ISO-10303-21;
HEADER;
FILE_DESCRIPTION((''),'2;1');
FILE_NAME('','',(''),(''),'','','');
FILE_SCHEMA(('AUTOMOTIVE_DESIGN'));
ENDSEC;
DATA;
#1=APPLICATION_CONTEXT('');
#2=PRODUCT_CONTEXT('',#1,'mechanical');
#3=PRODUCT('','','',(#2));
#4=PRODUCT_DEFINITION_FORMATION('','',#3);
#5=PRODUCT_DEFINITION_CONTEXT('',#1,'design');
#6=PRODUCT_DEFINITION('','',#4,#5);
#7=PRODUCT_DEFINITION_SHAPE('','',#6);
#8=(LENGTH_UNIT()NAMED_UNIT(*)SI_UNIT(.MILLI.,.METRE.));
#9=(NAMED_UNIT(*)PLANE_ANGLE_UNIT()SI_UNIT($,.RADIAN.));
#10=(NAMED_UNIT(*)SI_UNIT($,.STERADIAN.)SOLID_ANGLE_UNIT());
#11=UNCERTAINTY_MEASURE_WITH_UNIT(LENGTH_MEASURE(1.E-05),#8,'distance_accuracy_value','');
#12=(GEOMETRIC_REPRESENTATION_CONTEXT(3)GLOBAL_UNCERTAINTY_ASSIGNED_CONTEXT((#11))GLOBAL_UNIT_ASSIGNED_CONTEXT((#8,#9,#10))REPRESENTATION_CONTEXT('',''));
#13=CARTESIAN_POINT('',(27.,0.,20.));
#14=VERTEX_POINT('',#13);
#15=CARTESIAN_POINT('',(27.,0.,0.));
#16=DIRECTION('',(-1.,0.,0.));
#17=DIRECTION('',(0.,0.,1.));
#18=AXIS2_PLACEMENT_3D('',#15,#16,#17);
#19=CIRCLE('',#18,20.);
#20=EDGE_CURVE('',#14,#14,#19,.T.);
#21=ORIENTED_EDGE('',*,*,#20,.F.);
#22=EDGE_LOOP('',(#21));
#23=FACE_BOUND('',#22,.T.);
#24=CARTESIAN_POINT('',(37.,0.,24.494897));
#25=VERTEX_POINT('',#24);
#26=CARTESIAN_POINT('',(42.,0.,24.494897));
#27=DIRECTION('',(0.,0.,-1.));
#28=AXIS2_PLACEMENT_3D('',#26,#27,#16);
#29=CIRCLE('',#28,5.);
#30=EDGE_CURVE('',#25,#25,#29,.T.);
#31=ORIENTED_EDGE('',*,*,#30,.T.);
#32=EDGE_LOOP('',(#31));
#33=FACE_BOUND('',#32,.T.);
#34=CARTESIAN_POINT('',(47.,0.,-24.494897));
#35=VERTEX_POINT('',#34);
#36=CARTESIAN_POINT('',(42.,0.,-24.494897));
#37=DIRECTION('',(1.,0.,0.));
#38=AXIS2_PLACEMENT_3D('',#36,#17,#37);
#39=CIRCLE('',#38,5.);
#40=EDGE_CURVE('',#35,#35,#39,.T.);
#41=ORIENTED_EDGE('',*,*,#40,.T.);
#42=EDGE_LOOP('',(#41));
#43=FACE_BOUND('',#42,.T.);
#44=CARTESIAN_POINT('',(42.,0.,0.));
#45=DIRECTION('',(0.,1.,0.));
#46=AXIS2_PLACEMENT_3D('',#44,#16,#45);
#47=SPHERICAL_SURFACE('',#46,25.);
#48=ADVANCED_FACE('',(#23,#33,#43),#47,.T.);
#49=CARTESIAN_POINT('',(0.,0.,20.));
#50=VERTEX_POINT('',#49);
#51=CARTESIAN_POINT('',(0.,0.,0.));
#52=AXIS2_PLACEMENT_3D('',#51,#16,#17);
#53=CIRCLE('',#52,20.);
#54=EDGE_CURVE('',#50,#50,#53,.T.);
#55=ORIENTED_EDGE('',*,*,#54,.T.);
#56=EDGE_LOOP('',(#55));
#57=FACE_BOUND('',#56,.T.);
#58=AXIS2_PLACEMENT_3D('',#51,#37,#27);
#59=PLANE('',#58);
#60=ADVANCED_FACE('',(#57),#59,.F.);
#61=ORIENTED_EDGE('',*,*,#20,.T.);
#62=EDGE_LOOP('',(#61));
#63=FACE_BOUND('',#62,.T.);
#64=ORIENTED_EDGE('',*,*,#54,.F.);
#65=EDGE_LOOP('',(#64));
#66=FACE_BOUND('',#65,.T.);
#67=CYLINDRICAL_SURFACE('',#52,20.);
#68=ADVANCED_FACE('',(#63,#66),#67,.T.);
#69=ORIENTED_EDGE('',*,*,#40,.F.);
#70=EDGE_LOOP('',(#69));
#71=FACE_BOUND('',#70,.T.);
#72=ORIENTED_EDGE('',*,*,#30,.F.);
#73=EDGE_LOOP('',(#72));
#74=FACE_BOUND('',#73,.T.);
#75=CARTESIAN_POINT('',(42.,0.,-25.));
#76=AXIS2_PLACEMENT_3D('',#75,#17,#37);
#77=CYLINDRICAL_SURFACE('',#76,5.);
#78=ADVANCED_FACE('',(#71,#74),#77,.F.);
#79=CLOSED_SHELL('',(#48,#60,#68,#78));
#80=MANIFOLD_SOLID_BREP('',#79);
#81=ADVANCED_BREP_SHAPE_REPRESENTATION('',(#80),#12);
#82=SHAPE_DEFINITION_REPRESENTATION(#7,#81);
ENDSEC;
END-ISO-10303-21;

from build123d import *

# Parameters (mm, degrees)
CUT_EXTRUDE_1_DEPTH      = 76.756187866
CUT_EXTRUDE_1_DEPTH_BACK = 76.756187866
SKETCH_3_R               = 5


with BuildPart() as part:
    # 草图1 → 旋转1 (revolve)
    with BuildSketch(Plane.XY):
        with BuildLine():
            Line((0, 0), (0, 20))
            Line((0, 20), (27, 20))
            ThreePointArc((27, 20), (53.180339887, 22.360679775), (67, 0))
            Line((67, 0), (0, 0))
        make_face()
    revolve(axis=Axis((0, 0, 0), (1, 0, 0)))

    # 草图3 → 切除-拉伸1 (cut, two sides: drawn at the far end of the back side and taken through both)
    with BuildSketch(Plane.XY.offset(-CUT_EXTRUDE_1_DEPTH_BACK)):
        with Locations((42, 0)):
            Circle(SKETCH_3_R)
    extrude(amount=CUT_EXTRUDE_1_DEPTH + CUT_EXTRUDE_1_DEPTH_BACK, mode=Mode.SUBTRACT)


solid = part.part
